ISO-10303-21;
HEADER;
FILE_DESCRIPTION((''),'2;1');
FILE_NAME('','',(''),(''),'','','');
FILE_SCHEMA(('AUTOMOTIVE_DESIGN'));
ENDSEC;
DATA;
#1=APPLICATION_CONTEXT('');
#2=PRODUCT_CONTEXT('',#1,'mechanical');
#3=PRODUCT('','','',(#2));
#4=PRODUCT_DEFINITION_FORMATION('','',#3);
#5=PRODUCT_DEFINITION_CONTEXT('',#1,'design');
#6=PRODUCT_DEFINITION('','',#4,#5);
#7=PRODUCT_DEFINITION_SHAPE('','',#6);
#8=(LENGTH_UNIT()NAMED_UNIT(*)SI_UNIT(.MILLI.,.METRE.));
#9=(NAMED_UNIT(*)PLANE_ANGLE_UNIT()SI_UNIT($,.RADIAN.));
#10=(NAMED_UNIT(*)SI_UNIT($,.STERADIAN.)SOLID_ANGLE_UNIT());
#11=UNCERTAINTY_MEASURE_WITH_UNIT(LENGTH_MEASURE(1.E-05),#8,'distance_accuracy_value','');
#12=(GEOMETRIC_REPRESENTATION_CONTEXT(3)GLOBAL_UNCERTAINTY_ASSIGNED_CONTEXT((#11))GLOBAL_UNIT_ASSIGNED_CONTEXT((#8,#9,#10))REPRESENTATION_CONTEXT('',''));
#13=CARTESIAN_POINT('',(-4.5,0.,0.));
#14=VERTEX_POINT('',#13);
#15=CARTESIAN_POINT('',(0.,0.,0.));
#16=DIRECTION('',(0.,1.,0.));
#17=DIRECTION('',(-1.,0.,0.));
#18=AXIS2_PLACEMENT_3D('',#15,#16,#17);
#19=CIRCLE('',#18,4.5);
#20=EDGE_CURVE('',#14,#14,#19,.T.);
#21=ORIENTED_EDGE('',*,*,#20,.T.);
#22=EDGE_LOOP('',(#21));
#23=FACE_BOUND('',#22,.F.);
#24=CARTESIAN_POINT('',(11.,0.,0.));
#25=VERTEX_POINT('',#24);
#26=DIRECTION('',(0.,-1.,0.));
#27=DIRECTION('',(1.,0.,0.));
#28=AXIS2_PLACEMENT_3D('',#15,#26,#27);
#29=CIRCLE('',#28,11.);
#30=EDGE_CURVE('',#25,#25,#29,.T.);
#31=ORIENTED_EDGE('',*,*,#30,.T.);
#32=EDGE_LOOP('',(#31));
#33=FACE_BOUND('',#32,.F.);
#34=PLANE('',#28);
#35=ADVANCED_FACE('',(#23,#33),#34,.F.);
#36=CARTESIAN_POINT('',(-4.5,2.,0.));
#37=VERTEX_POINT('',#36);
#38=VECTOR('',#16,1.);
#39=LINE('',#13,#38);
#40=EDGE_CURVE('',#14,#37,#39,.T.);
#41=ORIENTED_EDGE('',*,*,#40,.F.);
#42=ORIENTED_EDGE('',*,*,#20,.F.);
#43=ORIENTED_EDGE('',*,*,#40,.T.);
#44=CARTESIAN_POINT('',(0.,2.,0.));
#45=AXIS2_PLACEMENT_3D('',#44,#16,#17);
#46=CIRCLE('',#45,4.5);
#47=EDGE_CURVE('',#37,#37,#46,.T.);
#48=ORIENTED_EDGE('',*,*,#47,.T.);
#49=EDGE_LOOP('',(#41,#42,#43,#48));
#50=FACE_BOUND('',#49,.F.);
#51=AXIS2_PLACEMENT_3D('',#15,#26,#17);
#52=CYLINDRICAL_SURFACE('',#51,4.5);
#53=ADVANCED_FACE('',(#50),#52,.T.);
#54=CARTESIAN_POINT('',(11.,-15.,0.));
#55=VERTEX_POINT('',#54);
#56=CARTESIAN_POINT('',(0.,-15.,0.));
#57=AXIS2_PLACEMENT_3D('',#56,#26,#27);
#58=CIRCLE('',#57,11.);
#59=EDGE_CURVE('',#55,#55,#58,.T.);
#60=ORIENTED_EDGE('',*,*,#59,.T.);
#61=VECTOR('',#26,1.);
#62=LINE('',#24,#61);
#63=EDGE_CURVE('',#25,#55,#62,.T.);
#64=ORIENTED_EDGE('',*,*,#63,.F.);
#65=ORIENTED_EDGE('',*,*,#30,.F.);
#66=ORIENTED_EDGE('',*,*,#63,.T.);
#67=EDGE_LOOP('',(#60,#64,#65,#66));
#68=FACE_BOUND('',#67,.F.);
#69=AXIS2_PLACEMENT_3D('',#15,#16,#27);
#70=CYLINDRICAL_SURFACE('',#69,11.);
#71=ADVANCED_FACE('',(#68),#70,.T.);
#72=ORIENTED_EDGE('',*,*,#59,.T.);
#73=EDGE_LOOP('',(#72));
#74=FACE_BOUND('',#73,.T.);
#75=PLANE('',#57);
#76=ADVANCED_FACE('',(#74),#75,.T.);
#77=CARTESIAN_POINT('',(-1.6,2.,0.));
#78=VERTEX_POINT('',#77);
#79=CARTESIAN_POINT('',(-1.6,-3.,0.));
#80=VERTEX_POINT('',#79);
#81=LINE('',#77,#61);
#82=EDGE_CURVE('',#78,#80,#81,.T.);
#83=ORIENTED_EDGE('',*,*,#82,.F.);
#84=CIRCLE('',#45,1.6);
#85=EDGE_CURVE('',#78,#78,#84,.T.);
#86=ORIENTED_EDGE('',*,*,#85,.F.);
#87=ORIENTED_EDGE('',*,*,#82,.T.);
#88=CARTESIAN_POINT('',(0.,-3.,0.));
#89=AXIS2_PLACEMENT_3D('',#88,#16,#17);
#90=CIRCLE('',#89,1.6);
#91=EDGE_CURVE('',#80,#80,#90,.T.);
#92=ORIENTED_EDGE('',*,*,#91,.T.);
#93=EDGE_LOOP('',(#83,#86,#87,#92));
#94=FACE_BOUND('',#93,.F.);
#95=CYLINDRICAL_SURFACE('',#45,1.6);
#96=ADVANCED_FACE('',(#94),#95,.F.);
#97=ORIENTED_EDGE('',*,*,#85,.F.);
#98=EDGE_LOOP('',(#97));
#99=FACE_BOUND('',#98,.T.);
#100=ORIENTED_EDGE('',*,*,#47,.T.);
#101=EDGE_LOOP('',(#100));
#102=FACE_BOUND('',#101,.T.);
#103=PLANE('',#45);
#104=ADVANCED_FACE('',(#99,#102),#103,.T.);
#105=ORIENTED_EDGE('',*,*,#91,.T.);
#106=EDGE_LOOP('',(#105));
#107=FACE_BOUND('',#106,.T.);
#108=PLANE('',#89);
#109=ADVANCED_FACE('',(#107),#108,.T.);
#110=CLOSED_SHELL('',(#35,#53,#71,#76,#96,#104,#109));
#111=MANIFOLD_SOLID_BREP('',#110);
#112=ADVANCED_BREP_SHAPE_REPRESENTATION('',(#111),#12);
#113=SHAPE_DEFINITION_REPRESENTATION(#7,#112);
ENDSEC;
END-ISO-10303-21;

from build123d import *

# Parameters (mm, degrees)
F0_R     = 11
F1_DEPTH = 15
F2_R     = 4.5
F3_DEPTH = 2
F4_R     = 1.6
F5_DEPTH = 5


with BuildPart() as f1:
    # F0 (on Front) → F1 (new body)
    with BuildSketch(Plane.XZ):
        Circle(F0_R)
    extrude(amount=F1_DEPTH)

    # F2 (on face) → F3 (join)
    with BuildSketch(Plane(origin=(0, 0, 0), x_dir=(-1, 0, 0), z_dir=(0, 1, 0))):
        Circle(F2_R)
    extrude(amount=F3_DEPTH)

    # F4 (on face) → F5 (cut)
    with BuildSketch(Plane(origin=(0, 2, 0), x_dir=(-1, 0, 0), z_dir=(0, 1, 0))):
        Circle(F4_R)
    extrude(amount=-F5_DEPTH, mode=Mode.SUBTRACT)


solid = f1.part
